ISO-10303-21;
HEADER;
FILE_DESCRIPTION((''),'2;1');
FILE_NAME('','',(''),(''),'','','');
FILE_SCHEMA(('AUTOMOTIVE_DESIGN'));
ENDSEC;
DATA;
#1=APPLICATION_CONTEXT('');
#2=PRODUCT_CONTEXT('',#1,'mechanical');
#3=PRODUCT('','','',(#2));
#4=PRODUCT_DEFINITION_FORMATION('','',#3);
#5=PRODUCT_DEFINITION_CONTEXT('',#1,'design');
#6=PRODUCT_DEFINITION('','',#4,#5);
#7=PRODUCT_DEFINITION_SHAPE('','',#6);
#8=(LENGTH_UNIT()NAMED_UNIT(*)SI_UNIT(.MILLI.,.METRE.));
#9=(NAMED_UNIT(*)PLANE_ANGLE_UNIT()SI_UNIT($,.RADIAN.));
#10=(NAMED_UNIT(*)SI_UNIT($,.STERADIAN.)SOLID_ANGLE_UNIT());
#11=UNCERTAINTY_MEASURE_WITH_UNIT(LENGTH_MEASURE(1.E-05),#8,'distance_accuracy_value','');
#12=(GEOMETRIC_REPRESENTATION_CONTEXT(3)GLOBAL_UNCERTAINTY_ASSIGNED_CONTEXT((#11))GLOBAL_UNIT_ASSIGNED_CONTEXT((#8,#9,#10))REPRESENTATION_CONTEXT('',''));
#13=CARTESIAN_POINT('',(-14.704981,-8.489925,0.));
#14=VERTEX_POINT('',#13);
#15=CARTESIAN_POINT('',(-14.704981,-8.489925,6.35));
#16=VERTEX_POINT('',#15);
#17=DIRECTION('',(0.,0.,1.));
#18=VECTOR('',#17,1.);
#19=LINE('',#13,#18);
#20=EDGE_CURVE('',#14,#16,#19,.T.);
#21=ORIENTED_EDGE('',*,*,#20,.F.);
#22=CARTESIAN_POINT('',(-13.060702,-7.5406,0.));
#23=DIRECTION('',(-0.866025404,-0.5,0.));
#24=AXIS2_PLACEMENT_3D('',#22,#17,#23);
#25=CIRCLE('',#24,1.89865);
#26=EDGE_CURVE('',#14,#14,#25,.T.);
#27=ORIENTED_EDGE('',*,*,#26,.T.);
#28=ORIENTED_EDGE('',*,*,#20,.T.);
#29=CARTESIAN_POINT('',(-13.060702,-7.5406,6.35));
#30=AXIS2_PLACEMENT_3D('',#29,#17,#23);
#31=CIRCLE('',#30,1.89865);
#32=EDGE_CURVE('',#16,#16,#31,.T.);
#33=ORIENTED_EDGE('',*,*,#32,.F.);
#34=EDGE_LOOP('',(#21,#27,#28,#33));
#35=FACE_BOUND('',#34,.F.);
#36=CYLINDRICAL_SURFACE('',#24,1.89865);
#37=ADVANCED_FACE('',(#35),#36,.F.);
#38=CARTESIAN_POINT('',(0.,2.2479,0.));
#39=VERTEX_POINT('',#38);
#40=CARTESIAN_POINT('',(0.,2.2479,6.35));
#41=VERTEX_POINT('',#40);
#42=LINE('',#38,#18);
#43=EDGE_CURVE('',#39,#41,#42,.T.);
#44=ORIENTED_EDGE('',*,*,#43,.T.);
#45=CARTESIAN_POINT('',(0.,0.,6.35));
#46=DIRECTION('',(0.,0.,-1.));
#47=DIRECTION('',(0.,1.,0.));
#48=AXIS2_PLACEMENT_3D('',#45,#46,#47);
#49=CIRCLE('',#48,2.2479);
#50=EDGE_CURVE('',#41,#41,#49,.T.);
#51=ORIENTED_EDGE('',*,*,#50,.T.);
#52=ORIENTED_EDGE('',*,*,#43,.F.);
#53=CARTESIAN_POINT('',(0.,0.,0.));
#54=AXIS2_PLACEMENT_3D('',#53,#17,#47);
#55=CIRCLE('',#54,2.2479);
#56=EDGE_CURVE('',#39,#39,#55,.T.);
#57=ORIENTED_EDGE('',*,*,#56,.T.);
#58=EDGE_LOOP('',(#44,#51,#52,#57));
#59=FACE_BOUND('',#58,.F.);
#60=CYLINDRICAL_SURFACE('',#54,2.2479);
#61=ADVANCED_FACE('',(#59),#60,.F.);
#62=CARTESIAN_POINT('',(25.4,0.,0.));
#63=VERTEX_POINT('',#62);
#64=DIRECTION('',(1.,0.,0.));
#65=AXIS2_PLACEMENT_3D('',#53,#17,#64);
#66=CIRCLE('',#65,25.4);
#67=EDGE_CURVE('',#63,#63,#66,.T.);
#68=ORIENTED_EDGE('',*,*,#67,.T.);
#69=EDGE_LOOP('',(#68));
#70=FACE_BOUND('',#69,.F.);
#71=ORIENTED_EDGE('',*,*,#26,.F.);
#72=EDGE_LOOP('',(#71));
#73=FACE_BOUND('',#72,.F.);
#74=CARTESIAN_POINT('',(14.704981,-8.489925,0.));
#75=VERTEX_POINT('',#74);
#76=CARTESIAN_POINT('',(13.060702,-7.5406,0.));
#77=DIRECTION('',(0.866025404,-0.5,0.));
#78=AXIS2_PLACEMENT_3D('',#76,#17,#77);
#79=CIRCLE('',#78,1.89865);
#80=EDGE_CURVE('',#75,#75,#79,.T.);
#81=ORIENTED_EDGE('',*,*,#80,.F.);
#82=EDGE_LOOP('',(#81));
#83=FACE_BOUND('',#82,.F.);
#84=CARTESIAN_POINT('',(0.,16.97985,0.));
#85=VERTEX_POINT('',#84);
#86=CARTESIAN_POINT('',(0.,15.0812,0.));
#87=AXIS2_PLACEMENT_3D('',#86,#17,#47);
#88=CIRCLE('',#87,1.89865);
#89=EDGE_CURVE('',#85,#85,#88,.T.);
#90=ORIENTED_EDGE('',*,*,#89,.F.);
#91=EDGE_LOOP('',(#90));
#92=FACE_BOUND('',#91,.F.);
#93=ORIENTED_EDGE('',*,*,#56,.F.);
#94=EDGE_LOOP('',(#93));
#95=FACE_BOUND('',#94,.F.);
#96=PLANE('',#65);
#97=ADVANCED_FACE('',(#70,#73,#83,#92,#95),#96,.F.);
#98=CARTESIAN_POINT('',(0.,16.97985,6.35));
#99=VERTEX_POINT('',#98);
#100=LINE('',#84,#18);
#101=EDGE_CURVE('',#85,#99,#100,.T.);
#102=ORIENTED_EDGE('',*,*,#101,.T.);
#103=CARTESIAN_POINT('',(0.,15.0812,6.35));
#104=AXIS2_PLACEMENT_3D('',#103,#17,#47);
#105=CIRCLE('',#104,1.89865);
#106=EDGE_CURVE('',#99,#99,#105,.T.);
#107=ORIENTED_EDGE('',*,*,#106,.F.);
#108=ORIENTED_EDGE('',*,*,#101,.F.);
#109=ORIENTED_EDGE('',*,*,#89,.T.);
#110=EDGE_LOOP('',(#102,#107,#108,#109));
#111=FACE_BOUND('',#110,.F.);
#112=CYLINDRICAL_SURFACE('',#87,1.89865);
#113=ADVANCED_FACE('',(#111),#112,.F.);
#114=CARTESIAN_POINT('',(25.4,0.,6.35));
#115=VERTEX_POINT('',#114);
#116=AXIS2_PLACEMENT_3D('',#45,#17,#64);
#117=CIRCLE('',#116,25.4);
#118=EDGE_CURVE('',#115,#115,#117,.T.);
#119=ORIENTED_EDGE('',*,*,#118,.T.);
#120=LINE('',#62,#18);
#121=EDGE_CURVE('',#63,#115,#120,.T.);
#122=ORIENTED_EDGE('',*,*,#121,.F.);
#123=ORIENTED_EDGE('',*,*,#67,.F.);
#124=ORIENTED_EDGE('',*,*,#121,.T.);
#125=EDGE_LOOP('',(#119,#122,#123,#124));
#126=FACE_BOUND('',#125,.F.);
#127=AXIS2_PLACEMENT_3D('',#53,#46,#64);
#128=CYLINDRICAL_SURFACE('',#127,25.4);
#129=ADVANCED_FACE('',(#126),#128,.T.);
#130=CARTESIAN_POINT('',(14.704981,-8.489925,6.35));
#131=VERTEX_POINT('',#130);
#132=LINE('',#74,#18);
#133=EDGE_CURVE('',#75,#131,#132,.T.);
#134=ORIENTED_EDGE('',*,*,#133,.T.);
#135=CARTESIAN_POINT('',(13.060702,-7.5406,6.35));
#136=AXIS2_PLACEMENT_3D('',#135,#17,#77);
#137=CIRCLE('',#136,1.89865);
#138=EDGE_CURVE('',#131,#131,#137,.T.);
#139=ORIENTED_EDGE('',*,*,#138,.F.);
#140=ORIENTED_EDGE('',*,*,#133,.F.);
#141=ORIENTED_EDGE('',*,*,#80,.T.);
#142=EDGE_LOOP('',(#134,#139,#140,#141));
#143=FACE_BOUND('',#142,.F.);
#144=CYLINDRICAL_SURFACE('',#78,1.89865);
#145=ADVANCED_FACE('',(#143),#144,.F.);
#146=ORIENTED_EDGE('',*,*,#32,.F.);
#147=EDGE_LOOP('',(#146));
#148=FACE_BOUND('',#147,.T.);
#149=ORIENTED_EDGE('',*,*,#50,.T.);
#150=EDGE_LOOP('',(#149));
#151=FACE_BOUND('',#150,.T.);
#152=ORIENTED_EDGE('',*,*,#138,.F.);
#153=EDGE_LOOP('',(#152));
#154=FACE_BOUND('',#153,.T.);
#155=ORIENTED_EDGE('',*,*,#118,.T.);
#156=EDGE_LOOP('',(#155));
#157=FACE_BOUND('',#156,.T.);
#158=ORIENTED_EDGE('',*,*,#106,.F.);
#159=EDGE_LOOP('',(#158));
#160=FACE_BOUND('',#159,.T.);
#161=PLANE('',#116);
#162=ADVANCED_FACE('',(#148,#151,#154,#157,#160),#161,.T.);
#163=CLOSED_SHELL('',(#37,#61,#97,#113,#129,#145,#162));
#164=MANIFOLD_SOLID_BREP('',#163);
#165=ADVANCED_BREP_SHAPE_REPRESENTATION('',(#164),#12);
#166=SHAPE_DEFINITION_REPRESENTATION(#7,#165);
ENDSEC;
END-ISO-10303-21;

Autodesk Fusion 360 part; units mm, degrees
sketch "Sketch1" plane through (0, 0, 0) normal (0, 0, 1) x (1, 0, 0)
  circle A0 centre (0, 0) radius 25.4
  circle A1 centre (0, 0) radius 22.225 construction
  line L0 (0, 0) -> (0, 25.4) construction
  circle A2 centre (0, 0) radius 15.0812 construction
  point P0 (0, 22.225)
  point P1 (0, 15.0812)
  dimension "d1" = 50.8
  dimension "d2" = 44.45
  dimension "d3" = 30.1625
extrude "Extrude1" add sketch "Sketch1" along normal blind 6.35
hole "Hole1" at (0, 0, 0) direction (0, 0, 1) diameter 4.4958 depth 6.35 tip angle 118
hole "Hole2" at (0, 15.0812, 0) direction (0, 0, 1) diameter 3.7973 depth 6.35 tip angle 118
pattern_circular "C-Pattern1" count 3 over 360 about axis through (0, 0, 0) along (0, 0, 1) of "Hole1"
pattern_circular "C-Pattern2" count 3 over 360 about axis through (0, 0, 0) along (0, 0, 1) of "Hole2"
hole "Hole3" at (0, 0, 0) direction (0, 0, 1) diameter 2.2708 depth 6.35 tip angle 180
